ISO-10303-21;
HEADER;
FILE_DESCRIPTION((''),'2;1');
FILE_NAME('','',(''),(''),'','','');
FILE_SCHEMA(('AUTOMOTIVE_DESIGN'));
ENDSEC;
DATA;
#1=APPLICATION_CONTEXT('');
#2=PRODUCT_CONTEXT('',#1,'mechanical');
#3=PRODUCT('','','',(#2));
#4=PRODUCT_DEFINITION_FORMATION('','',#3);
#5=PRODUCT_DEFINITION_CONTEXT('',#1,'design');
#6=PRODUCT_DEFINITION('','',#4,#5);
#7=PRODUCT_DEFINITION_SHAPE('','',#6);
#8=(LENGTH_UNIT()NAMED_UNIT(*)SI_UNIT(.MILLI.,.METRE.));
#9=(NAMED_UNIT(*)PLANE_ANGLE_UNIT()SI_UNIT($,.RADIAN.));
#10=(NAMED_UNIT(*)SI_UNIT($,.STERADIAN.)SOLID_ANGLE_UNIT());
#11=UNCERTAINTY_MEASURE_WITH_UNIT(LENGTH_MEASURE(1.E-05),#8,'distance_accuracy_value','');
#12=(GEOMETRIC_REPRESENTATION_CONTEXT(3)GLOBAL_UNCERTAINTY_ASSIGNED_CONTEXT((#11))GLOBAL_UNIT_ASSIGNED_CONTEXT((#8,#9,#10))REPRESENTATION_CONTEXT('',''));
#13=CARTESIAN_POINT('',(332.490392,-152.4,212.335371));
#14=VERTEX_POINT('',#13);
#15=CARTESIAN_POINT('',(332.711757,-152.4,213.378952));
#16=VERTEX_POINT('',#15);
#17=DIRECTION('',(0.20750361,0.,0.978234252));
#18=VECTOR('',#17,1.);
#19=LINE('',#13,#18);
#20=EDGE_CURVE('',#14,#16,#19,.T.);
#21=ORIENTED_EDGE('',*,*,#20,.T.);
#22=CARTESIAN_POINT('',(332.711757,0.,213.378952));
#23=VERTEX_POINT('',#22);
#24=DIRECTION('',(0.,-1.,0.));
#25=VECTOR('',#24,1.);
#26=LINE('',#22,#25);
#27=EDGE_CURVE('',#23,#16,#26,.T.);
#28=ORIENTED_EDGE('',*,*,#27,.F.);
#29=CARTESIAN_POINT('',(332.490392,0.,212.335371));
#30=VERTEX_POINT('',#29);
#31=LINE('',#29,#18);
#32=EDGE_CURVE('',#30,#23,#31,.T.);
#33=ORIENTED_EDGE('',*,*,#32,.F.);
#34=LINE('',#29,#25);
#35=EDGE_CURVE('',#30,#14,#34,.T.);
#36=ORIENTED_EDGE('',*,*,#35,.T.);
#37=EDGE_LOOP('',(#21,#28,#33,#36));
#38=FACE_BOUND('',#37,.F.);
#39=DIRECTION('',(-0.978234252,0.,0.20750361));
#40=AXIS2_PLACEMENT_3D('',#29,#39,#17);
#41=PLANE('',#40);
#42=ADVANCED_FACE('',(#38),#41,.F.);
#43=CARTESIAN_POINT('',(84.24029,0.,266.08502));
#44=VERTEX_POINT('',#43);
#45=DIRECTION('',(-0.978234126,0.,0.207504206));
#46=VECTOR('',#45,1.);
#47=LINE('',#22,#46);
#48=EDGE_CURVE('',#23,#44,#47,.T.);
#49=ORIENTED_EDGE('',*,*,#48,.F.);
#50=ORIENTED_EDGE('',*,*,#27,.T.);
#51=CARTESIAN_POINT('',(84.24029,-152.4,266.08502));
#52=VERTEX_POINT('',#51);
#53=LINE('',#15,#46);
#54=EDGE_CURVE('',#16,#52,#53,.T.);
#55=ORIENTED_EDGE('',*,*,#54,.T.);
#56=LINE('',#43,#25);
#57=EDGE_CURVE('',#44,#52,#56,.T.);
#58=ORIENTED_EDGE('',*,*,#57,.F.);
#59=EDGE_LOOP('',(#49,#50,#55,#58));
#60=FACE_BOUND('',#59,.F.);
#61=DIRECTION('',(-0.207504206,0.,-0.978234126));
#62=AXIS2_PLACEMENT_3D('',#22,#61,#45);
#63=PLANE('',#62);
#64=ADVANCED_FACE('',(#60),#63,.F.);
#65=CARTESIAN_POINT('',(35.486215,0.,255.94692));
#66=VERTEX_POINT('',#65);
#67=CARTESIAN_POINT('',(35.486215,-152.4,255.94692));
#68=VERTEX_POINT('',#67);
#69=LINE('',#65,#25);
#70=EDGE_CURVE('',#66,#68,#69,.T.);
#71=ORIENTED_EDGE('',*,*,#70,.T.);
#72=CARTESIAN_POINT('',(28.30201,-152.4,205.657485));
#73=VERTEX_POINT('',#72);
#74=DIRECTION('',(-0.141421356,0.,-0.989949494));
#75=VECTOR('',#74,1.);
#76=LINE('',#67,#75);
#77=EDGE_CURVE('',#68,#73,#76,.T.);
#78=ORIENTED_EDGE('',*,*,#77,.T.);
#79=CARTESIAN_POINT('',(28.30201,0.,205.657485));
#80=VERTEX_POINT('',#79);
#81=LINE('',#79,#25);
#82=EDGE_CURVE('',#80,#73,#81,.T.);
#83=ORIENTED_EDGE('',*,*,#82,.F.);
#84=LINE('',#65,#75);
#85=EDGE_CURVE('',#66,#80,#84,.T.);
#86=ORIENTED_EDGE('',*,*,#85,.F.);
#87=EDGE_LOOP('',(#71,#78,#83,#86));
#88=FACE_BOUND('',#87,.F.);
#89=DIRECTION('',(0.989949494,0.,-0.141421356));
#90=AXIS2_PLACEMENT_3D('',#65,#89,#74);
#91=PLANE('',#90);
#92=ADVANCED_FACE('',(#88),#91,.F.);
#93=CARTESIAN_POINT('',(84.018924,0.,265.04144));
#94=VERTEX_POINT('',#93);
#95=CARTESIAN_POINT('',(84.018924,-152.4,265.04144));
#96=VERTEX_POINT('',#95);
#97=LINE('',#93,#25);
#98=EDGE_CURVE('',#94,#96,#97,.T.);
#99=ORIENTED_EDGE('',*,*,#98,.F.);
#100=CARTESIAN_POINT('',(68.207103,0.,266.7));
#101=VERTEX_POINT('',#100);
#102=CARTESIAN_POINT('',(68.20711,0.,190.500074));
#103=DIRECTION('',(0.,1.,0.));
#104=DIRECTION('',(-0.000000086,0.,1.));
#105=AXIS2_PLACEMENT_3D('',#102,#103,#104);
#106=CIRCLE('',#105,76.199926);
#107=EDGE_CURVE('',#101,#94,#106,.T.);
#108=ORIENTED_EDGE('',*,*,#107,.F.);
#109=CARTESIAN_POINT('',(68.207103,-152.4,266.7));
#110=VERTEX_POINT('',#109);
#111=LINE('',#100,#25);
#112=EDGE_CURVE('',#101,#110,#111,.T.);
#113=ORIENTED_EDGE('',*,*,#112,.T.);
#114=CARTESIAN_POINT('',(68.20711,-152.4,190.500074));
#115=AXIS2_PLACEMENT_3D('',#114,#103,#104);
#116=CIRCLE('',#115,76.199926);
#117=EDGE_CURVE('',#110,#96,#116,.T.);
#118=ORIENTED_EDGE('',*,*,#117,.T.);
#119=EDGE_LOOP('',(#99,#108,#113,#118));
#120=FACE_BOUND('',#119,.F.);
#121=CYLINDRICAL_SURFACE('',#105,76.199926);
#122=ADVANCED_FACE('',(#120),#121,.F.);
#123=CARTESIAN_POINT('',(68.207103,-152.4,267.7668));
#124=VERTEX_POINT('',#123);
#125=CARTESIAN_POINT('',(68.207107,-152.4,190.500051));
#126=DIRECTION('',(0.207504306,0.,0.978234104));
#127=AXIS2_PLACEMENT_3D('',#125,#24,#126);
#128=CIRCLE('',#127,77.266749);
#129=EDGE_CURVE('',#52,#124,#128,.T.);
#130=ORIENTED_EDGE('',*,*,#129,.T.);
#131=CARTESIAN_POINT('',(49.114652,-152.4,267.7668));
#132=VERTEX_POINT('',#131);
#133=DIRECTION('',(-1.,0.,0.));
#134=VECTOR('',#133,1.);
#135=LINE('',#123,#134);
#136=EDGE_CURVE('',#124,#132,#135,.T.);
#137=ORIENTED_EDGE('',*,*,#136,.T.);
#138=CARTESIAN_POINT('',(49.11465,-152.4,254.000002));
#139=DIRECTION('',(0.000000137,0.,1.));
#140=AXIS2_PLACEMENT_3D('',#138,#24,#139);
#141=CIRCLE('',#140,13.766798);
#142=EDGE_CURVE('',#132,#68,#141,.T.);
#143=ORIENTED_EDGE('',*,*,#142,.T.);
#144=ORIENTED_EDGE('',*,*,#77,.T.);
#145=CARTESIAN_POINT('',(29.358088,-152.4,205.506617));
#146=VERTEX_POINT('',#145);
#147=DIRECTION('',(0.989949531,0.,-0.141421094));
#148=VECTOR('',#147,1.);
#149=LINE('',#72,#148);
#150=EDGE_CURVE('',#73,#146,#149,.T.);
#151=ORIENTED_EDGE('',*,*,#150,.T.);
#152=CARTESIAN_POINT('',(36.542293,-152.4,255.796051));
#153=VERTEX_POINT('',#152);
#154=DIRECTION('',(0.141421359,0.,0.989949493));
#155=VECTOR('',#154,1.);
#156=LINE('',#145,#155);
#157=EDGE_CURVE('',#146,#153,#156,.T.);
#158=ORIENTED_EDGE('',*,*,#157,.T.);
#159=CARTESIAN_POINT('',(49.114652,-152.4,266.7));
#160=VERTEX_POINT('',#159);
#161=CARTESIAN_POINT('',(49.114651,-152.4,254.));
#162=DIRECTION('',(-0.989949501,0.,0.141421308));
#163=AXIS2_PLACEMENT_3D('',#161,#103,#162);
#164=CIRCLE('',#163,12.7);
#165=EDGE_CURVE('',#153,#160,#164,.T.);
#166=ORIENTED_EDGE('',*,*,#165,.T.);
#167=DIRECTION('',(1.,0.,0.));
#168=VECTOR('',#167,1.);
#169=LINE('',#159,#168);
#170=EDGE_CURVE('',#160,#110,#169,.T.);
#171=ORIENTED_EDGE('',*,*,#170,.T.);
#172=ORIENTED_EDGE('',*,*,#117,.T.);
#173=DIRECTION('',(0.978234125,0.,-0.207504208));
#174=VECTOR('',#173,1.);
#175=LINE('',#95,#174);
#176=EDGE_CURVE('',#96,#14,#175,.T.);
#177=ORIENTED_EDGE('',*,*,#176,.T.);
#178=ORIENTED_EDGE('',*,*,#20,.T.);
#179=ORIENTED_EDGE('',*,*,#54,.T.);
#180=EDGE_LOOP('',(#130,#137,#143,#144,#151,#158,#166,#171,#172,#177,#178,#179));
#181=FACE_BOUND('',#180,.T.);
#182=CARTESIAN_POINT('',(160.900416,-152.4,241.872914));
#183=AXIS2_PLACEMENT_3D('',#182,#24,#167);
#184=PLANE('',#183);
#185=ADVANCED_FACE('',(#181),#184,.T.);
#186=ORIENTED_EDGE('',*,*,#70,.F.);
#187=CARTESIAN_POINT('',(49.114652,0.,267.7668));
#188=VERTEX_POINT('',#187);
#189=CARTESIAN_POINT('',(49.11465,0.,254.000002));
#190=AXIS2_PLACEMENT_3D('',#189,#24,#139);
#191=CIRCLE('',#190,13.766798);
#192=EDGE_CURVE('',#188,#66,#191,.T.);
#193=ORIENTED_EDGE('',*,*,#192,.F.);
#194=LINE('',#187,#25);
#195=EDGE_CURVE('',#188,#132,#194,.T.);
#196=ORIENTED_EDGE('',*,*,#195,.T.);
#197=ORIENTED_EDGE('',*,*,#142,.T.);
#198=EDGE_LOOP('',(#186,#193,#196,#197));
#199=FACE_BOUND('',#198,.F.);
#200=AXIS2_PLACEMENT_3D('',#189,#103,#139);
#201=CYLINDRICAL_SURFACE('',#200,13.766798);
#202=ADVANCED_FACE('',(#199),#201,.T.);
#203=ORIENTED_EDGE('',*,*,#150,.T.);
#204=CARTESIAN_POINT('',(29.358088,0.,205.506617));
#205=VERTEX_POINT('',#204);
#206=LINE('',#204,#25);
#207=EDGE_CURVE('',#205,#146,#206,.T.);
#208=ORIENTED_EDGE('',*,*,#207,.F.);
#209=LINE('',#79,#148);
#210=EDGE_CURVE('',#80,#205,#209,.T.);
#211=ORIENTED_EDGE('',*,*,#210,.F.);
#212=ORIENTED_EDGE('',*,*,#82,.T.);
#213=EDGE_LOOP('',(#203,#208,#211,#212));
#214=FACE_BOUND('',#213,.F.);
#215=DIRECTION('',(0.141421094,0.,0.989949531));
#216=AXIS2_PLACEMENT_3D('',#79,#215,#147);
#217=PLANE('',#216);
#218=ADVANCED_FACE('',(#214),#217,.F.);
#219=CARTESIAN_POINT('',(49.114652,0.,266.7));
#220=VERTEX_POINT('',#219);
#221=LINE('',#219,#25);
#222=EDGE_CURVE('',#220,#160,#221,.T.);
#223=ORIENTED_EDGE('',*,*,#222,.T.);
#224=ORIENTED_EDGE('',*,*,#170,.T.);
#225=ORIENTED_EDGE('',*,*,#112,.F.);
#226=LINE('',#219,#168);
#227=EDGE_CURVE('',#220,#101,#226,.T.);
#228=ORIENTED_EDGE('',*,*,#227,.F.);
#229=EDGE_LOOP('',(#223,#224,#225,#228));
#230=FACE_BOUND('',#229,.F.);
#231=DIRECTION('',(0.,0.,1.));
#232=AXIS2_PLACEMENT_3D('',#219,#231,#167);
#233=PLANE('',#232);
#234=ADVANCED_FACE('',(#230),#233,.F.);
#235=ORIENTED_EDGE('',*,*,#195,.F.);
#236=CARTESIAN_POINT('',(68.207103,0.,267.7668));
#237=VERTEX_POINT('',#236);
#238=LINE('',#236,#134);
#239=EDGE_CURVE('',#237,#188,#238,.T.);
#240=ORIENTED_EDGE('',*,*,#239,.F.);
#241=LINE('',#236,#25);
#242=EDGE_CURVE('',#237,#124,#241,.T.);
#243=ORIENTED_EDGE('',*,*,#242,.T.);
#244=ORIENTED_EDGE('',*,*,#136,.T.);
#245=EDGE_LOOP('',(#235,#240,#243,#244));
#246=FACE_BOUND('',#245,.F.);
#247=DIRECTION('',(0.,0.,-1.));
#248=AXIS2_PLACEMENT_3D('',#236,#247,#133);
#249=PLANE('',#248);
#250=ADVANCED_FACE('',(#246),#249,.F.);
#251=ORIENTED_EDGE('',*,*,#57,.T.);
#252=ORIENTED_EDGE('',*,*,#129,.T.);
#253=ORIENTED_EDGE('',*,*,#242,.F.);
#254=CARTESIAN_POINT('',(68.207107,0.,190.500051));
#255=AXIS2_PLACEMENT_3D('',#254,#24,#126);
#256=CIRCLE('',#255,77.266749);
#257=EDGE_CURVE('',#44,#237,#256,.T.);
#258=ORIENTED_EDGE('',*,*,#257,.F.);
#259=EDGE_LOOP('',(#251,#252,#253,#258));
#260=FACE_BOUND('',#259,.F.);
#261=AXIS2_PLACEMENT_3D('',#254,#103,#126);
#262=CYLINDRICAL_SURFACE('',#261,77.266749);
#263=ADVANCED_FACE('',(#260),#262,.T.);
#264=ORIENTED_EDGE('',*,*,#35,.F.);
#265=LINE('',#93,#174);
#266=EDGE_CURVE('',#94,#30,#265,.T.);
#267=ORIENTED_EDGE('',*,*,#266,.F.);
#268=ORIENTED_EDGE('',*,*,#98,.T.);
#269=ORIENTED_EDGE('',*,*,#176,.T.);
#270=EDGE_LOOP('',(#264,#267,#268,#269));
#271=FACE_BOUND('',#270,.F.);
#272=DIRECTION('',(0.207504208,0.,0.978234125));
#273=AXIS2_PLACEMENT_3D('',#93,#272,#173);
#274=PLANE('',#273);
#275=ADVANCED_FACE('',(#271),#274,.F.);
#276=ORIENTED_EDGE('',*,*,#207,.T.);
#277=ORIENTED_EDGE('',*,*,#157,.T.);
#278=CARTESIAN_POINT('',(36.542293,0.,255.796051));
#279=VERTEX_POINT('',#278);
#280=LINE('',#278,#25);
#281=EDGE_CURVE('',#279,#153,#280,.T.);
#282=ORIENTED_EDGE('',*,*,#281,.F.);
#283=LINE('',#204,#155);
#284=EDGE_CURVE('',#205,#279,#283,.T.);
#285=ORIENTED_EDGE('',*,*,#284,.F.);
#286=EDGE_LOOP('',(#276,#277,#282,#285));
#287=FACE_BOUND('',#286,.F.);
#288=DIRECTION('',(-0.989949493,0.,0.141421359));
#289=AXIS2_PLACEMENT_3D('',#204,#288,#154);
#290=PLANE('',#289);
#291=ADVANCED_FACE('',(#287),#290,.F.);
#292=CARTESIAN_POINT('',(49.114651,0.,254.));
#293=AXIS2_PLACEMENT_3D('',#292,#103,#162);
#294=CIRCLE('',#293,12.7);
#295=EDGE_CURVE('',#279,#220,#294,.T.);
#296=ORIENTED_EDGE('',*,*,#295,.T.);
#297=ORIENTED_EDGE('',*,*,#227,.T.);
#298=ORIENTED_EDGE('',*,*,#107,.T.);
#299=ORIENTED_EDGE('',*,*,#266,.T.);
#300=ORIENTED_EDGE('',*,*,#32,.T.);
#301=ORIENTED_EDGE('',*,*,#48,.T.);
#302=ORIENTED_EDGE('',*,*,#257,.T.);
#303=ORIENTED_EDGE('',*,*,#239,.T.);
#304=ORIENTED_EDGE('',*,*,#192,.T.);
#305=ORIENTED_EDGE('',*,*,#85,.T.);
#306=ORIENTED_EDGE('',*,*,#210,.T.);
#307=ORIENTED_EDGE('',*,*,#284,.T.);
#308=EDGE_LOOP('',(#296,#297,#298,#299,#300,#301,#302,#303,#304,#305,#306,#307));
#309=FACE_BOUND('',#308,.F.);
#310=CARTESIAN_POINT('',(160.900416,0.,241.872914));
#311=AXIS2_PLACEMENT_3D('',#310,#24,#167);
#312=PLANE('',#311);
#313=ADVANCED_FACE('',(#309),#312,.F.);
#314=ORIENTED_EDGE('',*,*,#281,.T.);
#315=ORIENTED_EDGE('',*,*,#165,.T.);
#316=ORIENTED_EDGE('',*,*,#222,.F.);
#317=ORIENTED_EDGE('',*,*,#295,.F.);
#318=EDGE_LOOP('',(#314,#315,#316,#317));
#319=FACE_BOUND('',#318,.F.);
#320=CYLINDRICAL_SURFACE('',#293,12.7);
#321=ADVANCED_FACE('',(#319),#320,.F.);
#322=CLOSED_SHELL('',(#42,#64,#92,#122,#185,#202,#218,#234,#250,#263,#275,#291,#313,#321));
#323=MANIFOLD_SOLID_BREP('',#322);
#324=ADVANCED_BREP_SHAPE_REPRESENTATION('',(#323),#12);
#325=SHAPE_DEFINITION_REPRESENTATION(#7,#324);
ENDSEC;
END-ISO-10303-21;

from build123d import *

# Parameters (mm, degrees)
F1_DEPTH = 152.4


with BuildPart() as f1:
    # F0 (on Front) → F1 (new body)
    with BuildSketch(Plane.XZ):
        with BuildLine():
            ThreePointArc((36.542293, 255.796051), (40.793589, 263.594265), (49.114652, 266.7))
            Line((49.114652, 266.7), (68.207103, 266.7))
            ThreePointArc((68.207103, 266.7), (76.156388, 266.284226), (84.018924, 265.04144))
            Line((84.018924, 265.04144), (332.490392, 212.335371))
            Line((332.490392, 212.335371), (332.711757, 213.378952))
            Line((332.711757, 213.378952), (84.24029, 266.08502))
            ThreePointArc((84.24029, 266.08502), (76.267678, 267.345205), (68.207103, 267.7668))
            Line((68.207103, 267.7668), (49.114652, 267.7668))
            ThreePointArc((49.114652, 267.7668), (40.09462, 264.400184), (35.486215, 255.94692))
            Line((35.486215, 255.94692), (28.30201, 205.657485))
            Line((28.30201, 205.657485), (29.358088, 205.506617))
            Line((29.358088, 205.506617), (36.542293, 255.796051))
        make_face()
    extrude(amount=F1_DEPTH)


solid = f1.part
